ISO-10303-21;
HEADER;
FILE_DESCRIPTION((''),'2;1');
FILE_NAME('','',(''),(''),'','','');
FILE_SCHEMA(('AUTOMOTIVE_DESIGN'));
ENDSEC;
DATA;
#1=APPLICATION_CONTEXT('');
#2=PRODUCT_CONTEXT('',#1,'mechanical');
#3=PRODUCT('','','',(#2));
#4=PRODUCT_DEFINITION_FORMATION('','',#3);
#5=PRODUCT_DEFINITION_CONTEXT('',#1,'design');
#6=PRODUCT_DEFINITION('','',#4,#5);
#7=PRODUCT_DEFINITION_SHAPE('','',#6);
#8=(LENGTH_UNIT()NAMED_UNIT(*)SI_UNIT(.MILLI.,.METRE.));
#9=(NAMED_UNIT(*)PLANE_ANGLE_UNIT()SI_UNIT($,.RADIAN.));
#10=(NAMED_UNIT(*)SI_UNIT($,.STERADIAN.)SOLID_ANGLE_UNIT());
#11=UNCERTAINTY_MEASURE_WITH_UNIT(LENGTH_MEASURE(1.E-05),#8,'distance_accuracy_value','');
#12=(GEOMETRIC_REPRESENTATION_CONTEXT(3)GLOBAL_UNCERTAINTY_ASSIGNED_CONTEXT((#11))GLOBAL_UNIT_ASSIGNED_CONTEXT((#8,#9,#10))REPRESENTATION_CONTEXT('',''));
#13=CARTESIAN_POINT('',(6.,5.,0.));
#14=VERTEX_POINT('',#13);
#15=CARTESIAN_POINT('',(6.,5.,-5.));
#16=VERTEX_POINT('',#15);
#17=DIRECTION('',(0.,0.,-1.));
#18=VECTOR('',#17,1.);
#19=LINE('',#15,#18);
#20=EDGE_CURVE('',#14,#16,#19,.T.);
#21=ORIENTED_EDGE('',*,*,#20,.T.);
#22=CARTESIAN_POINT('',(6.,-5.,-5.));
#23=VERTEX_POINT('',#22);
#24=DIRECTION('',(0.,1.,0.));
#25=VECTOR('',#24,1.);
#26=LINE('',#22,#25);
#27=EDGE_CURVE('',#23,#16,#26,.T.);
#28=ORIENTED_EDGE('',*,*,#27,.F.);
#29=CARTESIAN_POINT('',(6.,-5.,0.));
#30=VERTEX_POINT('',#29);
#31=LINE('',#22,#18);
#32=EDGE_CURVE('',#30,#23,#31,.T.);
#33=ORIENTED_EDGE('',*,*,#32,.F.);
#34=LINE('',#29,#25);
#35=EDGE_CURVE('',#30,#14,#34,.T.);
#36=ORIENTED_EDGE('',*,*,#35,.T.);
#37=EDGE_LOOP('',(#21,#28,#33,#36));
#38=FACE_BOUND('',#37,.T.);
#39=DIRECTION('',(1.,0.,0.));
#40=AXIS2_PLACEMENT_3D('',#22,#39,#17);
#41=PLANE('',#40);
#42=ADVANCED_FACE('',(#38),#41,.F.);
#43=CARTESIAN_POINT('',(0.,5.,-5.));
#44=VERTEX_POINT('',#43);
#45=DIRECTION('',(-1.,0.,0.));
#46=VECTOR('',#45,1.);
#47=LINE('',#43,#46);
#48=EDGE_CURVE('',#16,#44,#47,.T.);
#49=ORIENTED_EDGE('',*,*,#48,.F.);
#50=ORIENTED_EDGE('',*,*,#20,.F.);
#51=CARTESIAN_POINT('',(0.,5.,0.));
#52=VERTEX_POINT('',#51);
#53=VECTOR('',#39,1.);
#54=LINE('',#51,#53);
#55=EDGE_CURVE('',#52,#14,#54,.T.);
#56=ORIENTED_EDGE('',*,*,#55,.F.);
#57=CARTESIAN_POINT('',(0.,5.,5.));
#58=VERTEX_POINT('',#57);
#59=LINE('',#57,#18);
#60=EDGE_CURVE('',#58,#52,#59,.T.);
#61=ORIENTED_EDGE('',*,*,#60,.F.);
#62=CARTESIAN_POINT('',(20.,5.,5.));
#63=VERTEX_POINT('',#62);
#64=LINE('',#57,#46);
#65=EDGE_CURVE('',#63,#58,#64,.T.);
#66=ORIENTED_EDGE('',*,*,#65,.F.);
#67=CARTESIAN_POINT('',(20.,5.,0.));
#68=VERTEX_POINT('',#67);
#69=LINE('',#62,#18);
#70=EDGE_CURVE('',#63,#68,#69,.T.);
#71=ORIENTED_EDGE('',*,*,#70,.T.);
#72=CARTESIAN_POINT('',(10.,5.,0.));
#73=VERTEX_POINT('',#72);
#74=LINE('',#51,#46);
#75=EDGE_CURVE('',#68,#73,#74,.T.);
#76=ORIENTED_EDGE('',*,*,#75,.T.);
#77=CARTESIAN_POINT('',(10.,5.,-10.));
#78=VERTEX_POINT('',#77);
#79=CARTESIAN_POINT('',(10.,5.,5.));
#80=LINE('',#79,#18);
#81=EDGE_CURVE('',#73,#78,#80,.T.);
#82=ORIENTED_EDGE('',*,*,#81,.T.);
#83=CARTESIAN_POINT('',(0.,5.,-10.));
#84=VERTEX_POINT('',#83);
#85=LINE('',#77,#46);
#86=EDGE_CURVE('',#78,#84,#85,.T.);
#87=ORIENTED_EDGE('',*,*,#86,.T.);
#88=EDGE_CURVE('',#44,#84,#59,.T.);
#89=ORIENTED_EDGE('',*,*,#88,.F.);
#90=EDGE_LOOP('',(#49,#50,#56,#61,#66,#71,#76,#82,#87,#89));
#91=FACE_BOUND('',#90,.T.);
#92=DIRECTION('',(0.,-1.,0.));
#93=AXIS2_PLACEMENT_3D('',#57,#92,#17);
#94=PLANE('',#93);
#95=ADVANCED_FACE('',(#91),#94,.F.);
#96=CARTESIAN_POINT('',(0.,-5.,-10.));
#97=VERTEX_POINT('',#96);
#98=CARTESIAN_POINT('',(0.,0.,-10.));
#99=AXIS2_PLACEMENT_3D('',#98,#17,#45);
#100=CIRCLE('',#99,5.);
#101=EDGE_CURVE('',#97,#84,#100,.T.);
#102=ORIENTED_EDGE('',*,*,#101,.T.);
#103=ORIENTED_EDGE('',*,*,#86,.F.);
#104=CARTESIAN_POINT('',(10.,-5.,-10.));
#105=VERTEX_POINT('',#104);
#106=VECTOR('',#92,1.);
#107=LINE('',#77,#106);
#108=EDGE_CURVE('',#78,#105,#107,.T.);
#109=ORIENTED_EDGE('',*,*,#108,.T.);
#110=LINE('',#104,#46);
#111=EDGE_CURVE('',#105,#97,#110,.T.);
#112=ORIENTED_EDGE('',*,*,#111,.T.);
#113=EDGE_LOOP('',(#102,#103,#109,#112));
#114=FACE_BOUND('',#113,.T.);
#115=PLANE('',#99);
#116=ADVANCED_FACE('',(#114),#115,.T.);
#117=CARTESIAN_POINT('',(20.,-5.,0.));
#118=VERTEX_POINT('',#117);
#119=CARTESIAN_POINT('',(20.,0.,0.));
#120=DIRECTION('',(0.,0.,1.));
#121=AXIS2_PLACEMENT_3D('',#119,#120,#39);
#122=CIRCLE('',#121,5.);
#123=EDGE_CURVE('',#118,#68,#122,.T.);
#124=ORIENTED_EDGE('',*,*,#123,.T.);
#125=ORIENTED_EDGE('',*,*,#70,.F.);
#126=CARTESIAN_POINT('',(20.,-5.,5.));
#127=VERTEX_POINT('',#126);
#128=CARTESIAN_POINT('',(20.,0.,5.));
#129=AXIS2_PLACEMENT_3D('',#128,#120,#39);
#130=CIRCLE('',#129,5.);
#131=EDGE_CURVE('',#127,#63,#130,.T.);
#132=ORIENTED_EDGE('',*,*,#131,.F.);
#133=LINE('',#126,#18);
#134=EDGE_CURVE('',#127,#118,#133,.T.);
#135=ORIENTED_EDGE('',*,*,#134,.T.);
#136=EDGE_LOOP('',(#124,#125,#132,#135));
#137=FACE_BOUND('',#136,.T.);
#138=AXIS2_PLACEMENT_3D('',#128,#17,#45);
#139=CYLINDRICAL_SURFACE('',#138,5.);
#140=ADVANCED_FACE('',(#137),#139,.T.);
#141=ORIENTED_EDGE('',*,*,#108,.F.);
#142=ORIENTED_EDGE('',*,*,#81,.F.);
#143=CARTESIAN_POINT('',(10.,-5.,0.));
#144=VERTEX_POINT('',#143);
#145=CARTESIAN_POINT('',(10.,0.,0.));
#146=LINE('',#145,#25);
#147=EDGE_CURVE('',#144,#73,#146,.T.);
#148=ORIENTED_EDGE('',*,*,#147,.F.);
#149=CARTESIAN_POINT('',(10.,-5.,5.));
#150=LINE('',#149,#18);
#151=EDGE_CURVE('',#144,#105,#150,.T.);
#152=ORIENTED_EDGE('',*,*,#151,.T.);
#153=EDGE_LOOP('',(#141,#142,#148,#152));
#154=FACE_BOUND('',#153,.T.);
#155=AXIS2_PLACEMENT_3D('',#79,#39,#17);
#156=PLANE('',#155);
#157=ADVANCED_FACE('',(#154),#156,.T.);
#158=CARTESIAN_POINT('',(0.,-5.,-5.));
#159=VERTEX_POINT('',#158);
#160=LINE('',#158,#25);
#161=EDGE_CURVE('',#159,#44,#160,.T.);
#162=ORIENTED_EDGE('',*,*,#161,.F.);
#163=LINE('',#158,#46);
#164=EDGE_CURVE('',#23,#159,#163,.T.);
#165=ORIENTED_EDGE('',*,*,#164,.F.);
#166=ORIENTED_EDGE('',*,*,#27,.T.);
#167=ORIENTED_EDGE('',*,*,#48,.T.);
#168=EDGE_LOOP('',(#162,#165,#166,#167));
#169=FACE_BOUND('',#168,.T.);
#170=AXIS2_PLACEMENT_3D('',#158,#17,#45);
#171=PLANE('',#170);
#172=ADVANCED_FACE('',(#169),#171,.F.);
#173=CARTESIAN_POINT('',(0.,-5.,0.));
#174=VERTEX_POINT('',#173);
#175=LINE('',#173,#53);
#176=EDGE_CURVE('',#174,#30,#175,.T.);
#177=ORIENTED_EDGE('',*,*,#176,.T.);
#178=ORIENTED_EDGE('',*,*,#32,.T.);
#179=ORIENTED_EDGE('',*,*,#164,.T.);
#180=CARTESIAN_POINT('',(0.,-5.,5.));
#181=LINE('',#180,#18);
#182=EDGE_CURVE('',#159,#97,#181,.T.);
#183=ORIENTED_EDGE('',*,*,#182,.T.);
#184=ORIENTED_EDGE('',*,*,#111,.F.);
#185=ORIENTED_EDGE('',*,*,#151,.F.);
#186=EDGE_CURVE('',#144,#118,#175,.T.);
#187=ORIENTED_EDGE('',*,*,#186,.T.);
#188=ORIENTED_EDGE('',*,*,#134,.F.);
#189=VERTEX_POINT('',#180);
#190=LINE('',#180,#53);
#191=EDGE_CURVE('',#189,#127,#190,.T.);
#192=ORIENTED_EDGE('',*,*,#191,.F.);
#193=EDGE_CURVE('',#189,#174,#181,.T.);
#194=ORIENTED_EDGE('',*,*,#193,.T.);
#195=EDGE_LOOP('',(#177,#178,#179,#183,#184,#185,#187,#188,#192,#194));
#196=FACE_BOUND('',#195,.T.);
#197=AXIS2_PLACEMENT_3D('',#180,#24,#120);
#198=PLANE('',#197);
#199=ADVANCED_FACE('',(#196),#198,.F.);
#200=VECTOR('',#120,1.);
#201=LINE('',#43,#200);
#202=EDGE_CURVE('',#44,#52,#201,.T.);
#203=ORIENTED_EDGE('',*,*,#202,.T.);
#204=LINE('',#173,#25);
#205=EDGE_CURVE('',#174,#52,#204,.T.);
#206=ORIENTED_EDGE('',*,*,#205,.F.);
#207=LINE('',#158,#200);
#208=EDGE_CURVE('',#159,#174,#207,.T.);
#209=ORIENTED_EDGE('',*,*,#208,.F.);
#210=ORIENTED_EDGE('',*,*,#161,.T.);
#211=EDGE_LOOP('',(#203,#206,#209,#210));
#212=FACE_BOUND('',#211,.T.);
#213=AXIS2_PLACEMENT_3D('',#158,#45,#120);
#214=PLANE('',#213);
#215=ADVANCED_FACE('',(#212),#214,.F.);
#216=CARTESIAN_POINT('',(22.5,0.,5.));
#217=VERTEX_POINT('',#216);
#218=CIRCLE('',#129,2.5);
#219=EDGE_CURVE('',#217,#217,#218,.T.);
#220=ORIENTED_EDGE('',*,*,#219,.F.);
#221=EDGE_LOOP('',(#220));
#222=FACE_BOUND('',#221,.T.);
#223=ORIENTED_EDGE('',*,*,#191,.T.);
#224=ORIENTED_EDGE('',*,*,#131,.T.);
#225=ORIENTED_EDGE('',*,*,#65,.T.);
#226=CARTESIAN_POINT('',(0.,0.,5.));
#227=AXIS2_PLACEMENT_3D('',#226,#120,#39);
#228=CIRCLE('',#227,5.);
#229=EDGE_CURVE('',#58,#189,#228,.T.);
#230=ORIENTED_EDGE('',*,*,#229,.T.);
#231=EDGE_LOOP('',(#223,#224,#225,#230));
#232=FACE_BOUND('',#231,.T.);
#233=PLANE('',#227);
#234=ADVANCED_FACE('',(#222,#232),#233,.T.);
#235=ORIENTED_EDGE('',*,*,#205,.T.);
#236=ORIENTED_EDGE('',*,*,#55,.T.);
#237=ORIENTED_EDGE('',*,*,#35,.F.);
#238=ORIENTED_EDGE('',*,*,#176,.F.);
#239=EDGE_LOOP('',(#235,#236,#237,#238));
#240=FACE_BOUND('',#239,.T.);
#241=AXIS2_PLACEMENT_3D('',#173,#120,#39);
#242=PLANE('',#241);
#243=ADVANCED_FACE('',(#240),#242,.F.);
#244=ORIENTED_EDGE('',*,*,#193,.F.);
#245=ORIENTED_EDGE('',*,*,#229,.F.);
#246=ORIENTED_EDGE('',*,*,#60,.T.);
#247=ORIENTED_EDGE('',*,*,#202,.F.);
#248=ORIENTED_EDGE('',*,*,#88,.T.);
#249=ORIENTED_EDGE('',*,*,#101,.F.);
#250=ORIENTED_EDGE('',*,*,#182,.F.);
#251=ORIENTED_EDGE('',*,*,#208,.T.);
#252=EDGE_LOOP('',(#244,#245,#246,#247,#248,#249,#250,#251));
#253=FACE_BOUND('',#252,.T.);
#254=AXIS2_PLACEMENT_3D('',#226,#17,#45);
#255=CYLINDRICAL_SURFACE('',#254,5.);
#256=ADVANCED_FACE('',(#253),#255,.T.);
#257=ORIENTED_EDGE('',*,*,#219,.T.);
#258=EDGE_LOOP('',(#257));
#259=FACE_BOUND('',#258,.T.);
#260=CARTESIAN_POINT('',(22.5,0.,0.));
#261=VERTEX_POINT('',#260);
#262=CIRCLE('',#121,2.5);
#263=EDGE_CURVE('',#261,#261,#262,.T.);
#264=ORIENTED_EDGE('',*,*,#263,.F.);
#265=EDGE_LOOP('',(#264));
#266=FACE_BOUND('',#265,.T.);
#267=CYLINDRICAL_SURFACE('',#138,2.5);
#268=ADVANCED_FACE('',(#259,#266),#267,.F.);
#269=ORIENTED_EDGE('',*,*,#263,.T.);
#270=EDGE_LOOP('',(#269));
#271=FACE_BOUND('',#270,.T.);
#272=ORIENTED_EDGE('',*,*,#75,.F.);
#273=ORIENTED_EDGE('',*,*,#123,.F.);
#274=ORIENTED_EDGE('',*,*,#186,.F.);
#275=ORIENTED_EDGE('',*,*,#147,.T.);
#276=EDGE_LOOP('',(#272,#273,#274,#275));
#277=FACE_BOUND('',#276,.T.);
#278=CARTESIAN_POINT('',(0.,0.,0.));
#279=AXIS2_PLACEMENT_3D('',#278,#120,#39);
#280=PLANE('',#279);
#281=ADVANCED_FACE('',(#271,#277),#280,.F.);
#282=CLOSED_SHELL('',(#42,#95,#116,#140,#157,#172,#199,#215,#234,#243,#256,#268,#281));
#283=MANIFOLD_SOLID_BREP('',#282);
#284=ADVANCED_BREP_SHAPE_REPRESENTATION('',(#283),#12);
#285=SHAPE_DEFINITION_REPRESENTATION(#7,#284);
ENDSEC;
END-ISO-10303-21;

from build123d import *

# Parameters (mm, degrees)
SKETCH2_R                = 2.5
BOSS_EXTRUDE1_DEPTH      = 5
BOSS_EXTRUDE2_DEPTH      = 10
BOSS_EXTRUDE2_DEPTH_BACK = 5
SKETCH4_W                = 6
SKETCH4_H                = 5
CUT_EXTRUDE1_DEPTH       = 10


with BuildPart() as part:
    # Sketch2 → Boss-Extrude1 (new body)
    with BuildSketch(Plane.XY):
        with BuildLine():
            Line((0, 5), (20, 5))
            ThreePointArc((20, 5), (25, 0), (20, -5))
            Line((20, -5), (0, -5))
            ThreePointArc((0, -5), (-5, 0), (0, 5))
        make_face()
        with Locations((20, 0)):
            Circle(SKETCH2_R, mode=Mode.SUBTRACT)
    extrude(amount=BOSS_EXTRUDE1_DEPTH)

    # Sketch3 → Boss-Extrude2 (add, two sides: drawn at the far end of the back side and taken through both)
    with BuildSketch(Plane(origin=(0, 0, 0), x_dir=(-1, 0, 0), z_dir=(0, 0, -1)).offset(-BOSS_EXTRUDE2_DEPTH_BACK)):
        with BuildLine():
            Line((-10, 5), (0, 5))
            ThreePointArc((0, 5), (5, 0), (0, -5))
            Line((0, -5), (-10, -5))
            Line((-10, -5), (-10, 5))
        make_face()
    extrude(amount=BOSS_EXTRUDE2_DEPTH + BOSS_EXTRUDE2_DEPTH_BACK)

    # Sketch4 → Cut-Extrude1 (cut)
    with BuildSketch(Plane(origin=(0, 5, 0), x_dir=(1, 0, 0), z_dir=(0, 1, 0))):
        with Locations((3, 2.5)):
            Rectangle(SKETCH4_W, SKETCH4_H)
    extrude(amount=-CUT_EXTRUDE1_DEPTH, mode=Mode.SUBTRACT)


solid = part.part
